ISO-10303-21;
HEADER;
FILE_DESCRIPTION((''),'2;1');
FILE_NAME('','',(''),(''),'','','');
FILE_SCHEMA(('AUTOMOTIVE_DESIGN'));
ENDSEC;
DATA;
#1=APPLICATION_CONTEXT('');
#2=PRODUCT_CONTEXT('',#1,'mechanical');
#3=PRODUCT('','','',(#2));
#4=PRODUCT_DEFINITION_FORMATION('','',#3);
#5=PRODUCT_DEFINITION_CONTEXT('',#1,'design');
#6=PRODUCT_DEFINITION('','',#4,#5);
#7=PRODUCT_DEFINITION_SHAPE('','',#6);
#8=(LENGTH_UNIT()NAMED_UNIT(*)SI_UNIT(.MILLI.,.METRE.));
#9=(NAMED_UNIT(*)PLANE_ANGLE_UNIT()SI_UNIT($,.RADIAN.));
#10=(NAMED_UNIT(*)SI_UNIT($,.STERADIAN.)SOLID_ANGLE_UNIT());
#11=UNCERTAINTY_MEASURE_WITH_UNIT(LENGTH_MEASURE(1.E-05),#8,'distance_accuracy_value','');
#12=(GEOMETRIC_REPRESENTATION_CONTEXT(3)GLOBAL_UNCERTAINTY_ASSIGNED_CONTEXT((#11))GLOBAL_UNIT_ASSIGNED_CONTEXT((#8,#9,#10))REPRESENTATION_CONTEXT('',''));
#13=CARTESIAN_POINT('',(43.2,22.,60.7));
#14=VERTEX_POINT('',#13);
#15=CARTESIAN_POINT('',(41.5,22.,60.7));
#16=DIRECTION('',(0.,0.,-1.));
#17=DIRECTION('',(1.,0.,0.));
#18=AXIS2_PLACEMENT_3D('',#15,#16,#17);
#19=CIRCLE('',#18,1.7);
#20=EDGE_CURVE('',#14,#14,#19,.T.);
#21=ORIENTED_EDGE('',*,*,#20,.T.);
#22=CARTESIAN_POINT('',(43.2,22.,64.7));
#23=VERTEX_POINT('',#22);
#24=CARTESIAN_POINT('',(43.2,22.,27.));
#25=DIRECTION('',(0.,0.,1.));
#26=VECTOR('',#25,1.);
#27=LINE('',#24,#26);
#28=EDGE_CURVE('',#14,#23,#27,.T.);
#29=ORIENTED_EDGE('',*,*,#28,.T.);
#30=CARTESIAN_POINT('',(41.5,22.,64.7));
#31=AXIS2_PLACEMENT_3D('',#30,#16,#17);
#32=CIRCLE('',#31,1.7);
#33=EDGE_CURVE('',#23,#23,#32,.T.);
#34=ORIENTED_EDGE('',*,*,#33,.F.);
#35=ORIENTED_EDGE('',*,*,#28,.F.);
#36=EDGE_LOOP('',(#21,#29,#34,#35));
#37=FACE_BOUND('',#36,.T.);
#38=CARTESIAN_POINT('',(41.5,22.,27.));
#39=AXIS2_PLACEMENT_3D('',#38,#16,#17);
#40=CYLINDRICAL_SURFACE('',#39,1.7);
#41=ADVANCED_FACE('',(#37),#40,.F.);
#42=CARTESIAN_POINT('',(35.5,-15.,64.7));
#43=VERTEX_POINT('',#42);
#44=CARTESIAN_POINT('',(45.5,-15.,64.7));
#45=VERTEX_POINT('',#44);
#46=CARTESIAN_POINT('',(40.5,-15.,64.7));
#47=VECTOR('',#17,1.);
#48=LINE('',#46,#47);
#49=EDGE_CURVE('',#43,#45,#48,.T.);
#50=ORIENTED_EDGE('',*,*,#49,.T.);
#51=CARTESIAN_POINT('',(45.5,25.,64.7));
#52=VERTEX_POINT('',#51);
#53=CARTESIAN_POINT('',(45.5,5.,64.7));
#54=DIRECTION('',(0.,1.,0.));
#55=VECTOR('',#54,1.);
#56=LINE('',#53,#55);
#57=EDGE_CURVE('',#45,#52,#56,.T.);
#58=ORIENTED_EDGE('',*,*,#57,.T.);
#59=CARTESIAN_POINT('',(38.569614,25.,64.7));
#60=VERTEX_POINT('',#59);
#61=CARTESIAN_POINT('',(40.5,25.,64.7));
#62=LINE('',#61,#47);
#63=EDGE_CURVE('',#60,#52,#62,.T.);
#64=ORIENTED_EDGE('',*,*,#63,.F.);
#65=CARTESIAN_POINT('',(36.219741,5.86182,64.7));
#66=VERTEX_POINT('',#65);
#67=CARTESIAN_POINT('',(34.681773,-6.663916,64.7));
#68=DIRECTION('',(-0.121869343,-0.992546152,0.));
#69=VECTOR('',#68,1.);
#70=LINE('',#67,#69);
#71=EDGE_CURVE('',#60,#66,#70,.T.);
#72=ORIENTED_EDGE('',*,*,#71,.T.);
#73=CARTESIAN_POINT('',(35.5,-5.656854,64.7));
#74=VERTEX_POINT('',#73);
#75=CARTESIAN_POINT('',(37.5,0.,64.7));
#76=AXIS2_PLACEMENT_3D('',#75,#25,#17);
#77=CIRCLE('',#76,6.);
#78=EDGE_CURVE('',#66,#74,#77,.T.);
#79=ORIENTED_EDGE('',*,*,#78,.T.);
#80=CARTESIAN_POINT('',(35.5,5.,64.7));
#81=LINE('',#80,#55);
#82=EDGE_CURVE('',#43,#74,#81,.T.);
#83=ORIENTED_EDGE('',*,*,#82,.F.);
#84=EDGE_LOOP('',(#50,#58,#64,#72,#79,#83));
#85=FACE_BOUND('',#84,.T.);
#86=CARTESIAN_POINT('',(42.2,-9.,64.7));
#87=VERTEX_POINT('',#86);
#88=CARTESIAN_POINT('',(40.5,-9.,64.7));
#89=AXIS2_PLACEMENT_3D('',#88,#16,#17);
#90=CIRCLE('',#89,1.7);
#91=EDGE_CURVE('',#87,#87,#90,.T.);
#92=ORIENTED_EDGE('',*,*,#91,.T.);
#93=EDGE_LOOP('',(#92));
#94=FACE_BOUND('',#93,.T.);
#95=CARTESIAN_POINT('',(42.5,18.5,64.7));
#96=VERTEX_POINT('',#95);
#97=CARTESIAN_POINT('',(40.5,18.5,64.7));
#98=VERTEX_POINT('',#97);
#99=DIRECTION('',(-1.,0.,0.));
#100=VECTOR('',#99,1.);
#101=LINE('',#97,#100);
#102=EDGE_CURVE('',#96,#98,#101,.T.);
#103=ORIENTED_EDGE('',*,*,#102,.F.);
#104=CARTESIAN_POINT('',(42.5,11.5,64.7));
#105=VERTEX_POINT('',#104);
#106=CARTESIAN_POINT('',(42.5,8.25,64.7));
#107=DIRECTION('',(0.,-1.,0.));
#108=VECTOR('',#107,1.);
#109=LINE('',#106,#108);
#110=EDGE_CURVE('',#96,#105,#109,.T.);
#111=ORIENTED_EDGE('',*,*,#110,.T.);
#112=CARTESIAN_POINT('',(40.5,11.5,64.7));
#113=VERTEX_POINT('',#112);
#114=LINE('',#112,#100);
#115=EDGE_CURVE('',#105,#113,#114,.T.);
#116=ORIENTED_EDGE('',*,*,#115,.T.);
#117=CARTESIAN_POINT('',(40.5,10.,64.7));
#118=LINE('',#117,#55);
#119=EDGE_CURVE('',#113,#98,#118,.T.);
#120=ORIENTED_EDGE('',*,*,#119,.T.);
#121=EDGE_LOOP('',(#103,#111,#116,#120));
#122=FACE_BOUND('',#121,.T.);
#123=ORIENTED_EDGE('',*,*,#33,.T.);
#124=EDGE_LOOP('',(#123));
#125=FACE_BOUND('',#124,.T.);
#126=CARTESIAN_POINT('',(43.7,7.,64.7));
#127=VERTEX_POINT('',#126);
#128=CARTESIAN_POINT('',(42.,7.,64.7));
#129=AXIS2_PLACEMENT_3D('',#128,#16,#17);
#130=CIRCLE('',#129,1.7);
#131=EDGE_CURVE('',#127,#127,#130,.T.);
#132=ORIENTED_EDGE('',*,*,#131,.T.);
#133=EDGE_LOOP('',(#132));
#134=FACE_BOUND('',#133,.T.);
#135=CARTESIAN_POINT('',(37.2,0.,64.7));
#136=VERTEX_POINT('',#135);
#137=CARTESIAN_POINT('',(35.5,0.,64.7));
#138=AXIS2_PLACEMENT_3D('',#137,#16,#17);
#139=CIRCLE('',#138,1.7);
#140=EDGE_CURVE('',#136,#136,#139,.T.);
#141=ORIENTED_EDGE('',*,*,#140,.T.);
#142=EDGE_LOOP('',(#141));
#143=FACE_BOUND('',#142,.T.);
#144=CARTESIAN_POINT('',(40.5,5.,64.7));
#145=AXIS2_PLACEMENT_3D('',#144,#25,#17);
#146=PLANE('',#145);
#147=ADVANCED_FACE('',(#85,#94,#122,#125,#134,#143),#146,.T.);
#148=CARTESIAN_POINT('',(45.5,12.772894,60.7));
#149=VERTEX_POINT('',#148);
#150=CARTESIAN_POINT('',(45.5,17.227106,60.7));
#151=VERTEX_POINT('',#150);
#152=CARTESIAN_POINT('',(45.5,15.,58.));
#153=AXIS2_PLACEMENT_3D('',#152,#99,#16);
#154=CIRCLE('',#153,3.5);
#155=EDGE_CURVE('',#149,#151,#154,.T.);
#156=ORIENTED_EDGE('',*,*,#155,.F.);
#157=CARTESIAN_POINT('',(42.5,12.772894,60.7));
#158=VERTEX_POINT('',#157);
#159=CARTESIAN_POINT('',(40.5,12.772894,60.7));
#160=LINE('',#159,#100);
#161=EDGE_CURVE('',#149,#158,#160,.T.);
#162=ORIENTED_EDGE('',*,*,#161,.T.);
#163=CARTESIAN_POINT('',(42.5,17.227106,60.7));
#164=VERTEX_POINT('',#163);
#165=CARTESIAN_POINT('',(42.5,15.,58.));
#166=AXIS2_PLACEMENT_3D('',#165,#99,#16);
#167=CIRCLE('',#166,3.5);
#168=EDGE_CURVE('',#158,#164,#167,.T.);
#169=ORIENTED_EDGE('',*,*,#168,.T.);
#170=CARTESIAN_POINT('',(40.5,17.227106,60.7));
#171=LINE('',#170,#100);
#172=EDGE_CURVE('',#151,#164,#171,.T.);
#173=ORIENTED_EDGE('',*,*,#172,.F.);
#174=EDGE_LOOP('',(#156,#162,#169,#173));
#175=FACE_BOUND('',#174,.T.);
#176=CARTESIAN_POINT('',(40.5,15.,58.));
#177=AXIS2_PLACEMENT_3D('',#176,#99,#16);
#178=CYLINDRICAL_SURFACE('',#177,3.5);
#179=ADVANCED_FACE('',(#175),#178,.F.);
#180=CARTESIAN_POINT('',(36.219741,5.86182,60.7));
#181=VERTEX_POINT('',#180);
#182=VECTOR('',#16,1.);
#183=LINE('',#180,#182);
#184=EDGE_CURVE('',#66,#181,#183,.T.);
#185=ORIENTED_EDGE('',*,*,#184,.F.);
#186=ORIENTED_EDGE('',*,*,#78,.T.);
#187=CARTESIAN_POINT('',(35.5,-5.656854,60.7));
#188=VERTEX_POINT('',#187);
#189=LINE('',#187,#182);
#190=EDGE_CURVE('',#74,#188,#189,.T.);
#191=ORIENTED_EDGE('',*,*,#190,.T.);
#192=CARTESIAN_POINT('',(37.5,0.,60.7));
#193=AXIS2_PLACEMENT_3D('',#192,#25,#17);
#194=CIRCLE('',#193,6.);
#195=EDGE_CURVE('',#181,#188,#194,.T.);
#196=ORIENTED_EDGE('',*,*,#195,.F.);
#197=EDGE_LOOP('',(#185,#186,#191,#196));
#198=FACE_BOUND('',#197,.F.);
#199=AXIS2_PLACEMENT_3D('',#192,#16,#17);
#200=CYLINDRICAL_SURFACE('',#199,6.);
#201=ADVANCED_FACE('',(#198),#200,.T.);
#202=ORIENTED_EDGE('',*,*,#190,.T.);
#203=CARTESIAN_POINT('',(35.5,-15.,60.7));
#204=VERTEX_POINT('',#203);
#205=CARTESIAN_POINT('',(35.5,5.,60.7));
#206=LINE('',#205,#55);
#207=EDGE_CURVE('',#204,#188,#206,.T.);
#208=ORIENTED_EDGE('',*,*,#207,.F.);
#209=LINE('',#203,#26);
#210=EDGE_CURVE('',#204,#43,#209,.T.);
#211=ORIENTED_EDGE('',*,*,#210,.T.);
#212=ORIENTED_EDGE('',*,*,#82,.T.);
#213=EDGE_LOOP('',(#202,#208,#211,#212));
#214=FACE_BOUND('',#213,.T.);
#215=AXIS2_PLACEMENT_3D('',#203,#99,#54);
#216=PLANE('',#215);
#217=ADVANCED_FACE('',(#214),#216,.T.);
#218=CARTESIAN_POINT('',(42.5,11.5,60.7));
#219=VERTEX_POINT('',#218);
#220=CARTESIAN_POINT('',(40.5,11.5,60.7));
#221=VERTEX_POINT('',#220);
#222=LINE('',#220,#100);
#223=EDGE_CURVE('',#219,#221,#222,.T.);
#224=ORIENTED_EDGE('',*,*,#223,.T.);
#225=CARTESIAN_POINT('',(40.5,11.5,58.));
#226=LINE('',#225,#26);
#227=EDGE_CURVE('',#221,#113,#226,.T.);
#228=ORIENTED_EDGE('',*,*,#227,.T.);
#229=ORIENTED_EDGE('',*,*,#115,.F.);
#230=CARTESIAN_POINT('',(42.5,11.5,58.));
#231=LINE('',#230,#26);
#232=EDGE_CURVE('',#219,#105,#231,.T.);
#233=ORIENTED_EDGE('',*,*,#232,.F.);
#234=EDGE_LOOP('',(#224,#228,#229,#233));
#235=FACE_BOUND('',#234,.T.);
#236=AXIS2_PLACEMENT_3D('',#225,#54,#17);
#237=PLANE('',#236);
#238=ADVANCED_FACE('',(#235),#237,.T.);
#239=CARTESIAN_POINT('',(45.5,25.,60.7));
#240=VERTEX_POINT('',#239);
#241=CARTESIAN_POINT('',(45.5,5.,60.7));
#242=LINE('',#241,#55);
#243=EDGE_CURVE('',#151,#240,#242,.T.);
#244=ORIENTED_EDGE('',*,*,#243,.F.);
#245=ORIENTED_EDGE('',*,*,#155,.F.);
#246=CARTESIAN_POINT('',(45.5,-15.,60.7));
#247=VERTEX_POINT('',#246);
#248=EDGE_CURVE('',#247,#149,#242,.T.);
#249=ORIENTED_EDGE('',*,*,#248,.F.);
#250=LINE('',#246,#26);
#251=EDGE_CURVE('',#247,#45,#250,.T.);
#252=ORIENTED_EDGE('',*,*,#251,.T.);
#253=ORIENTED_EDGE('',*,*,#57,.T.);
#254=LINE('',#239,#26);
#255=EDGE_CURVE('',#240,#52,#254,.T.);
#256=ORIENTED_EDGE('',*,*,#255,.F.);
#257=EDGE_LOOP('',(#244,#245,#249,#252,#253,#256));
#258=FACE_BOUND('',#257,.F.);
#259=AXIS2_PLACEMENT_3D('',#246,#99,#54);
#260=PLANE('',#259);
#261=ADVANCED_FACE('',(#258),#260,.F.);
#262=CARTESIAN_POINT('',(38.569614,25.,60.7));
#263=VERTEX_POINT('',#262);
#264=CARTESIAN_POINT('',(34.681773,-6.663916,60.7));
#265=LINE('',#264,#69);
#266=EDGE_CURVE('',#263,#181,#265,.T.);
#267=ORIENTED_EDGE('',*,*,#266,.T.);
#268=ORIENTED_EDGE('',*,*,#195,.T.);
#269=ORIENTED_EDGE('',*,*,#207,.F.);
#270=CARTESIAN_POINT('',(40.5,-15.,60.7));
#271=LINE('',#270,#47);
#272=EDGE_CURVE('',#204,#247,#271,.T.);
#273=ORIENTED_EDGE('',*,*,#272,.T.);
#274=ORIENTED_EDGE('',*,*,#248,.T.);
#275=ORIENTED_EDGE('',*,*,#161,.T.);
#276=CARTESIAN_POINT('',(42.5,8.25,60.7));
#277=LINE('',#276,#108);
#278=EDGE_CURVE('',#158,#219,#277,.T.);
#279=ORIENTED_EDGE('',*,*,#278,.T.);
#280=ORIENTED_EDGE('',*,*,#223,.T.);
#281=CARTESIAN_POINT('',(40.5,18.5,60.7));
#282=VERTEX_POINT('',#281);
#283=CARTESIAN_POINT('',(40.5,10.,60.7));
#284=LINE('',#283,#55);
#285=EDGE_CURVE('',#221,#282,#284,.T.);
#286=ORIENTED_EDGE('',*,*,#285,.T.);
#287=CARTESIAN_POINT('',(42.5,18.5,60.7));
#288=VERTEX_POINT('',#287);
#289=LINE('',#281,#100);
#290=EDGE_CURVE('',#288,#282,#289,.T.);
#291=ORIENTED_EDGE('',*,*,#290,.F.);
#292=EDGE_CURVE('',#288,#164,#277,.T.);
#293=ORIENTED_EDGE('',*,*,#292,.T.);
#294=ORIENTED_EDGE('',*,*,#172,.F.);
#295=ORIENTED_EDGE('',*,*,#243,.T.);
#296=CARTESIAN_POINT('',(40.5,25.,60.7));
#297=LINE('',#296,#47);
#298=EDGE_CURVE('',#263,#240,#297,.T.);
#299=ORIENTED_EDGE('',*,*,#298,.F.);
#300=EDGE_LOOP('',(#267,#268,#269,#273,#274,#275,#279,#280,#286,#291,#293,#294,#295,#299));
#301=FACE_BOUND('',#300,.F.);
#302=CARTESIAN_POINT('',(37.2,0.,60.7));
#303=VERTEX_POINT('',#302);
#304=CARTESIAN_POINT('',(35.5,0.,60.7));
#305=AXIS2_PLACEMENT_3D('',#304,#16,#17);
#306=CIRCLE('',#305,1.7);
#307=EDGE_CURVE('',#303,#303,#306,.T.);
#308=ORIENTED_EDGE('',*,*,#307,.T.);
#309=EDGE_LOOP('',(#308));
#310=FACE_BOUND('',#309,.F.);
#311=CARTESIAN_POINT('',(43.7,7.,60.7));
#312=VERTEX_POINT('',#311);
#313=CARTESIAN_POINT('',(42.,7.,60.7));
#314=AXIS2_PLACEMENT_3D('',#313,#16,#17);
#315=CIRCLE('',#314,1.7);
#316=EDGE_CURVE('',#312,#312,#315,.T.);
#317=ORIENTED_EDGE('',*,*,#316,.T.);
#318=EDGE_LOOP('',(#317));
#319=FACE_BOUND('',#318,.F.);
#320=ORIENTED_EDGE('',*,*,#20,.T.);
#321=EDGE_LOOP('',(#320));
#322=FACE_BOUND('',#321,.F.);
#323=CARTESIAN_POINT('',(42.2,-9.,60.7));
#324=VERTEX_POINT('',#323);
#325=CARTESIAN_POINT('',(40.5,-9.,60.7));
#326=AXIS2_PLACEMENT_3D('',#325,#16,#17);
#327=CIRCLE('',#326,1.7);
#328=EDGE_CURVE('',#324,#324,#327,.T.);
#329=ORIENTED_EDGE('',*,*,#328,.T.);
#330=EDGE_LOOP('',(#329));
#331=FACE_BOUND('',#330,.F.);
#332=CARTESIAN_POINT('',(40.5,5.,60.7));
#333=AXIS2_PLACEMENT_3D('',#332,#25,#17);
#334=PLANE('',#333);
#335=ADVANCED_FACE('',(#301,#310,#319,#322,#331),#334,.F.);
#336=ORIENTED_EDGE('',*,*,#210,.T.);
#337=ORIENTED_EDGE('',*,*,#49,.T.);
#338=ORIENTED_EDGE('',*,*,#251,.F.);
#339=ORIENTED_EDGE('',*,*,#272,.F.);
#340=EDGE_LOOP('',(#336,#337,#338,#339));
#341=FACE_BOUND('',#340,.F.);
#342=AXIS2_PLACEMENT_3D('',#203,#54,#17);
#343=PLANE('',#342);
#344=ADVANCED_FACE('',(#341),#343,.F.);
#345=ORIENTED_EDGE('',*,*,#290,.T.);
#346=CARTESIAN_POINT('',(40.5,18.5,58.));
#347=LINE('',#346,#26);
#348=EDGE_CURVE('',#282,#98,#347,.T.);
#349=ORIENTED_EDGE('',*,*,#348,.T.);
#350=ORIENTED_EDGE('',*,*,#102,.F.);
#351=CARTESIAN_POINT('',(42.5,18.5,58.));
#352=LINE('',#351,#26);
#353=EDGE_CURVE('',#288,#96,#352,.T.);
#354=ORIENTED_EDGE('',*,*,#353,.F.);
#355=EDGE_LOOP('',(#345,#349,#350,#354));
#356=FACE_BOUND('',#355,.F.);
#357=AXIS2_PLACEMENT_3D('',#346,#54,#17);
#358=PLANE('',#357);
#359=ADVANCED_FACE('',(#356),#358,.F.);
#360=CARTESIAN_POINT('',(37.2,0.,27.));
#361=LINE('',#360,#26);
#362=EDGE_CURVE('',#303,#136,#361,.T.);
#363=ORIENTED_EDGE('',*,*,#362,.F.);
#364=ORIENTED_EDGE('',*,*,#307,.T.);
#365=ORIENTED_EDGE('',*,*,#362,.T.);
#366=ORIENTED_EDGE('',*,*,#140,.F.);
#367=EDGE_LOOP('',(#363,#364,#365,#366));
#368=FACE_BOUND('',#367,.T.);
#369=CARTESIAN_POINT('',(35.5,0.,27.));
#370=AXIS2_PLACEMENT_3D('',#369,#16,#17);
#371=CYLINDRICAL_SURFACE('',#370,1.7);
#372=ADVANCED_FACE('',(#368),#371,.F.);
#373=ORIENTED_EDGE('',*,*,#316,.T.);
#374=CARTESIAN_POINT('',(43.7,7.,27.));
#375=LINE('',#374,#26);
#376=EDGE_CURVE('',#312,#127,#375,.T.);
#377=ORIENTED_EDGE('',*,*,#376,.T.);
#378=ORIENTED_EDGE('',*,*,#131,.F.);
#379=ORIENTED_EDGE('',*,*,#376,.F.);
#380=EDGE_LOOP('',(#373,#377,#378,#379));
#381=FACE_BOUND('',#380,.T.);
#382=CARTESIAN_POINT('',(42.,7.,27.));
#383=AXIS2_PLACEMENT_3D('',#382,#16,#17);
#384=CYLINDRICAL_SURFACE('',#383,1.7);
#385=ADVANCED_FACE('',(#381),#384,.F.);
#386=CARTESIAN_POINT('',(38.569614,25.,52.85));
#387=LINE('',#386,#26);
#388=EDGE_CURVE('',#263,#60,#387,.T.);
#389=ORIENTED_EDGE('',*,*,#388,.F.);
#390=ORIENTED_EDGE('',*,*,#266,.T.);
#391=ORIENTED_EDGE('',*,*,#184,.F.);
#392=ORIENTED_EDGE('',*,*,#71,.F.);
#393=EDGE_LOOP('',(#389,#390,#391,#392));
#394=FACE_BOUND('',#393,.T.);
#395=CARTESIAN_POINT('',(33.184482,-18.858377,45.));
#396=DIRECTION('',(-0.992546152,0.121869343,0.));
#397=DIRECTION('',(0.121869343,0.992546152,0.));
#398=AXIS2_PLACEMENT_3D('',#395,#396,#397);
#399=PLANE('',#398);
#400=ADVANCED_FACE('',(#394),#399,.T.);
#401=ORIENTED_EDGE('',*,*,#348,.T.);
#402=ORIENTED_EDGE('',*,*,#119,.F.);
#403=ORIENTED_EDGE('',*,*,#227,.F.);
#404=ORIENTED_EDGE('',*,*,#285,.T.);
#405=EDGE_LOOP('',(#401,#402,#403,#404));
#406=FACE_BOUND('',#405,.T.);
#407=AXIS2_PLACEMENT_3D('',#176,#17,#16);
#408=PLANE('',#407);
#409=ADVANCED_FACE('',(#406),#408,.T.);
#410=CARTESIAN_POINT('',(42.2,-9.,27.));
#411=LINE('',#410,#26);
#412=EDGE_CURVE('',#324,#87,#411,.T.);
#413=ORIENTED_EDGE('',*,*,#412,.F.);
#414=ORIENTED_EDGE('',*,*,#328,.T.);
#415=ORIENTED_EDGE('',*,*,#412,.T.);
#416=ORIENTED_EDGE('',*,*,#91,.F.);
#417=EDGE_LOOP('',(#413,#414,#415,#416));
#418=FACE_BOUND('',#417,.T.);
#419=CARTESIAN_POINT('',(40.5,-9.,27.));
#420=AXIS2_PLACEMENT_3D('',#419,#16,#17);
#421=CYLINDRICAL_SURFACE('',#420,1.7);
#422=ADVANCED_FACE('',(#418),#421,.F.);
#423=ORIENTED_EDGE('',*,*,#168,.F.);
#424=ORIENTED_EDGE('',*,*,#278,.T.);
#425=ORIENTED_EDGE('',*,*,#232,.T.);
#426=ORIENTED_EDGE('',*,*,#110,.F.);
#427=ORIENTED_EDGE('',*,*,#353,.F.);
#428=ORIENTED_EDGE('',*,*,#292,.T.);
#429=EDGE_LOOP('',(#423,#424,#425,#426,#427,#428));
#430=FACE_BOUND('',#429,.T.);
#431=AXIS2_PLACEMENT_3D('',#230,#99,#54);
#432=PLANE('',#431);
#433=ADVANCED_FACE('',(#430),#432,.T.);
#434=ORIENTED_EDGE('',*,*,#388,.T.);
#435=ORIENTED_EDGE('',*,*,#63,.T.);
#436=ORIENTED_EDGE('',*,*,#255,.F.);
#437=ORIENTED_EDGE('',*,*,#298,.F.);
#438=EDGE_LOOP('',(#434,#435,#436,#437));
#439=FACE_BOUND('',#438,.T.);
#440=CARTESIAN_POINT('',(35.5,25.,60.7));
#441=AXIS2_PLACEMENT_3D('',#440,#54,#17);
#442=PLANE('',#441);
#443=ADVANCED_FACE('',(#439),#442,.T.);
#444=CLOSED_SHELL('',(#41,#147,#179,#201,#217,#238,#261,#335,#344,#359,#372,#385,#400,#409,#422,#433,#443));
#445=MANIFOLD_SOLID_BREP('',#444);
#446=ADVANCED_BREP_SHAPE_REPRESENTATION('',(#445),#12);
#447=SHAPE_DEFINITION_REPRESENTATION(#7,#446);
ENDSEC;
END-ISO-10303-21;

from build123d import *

# Parameters (mm, degrees)
CYLINDER082_R           = 1.7
CYLINDER082_DEPTH       = 50
CYLINDER081_R           = 1.7
CYLINDER081_DEPTH       = 50
CYLINDER080_R           = 1.7
CYLINDER080_DEPTH       = 50
CYLINDER079_R           = 1.7
CYLINDER079_DEPTH       = 50
CYLINDER044_R           = 3.5
CYLINDER044_DEPTH       = 8
CYLINDER044_PITCH_ANGLE = 90
BOX027_W                = 2
BOX027_H                = 7
BOX027_DEPTH            = 10
BOX019_W                = 66
BOX019_H                = 50
BOX019_DEPTH            = 25
BOX019_PLACEMENT_ANGLE  = -7
BOX010_W                = 10
BOX010_H                = 40
BOX010_DEPTH            = 4
CYLINDER024_R           = 6
CYLINDER024_DEPTH       = 4


with BuildPart() as m3_studding019:
    # Cylinder082 → Cylinder082 (new body)
    with BuildSketch(Plane(origin=(41, -9, 27), x_dir=(1, 0, 0), z_dir=(0, 0, 1))):
        Circle(CYLINDER082_R)
    extrude(amount=CYLINDER082_DEPTH)


with BuildPart() as m3_studding018:
    # Cylinder081 → Cylinder081 (new body)
    with BuildSketch(Plane(origin=(42, 22, 27), x_dir=(1, 0, 0), z_dir=(0, 0, 1))):
        Circle(CYLINDER081_R)
    extrude(amount=CYLINDER081_DEPTH)


with BuildPart() as m3_studding017:
    # Cylinder080 → Cylinder080 (new body)
    with BuildSketch(Plane(origin=(42.5, 7, 27), x_dir=(1, 0, 0), z_dir=(0, 0, 1))):
        Circle(CYLINDER080_R)
    extrude(amount=CYLINDER080_DEPTH)


with BuildPart() as m3_clearance003:
    # Cylinder079 → Cylinder079 (new body)
    with BuildSketch(Plane(origin=(36, 0, 27), x_dir=(1, 0, 0), z_dir=(0, 0, 1))):
        Circle(CYLINDER079_R)
    extrude(amount=CYLINDER079_DEPTH)

    # Fusion048: union m3-studding019, m3-studding018, m3-studding017
    add(m3_studding019.part)
    add(m3_studding018.part)
    add(m3_studding017.part)


with BuildPart() as cylinder044:
    # Cylinder044 → Cylinder044 (new body)
    with BuildSketch(Plane.XY):
        Circle(CYLINDER044_R)
    extrude(amount=CYLINDER044_DEPTH)


with BuildPart() as cylinder044_1:
    # Cylinder044 pitch: moved
    add(cylinder044.part.rotate(Axis((0, 0, 0), (0, 1, 0)), CYLINDER044_PITCH_ANGLE))


with BuildPart() as cylinder044_2:
    # Cylinder044 placement: moved
    add(cylinder044_1.part.moved(Location((41, 15, 58))))


with BuildPart() as sprint_adj_hole:
    # Box027 → Box027 (new body)
    with BuildSketch(Plane(origin=(41, 11.5, 58), x_dir=(1, 0, 0), z_dir=(0, 0, 1))):
        with Locations((1, 3.5)):
            Rectangle(BOX027_W, BOX027_H)
    extrude(amount=BOX027_DEPTH)

    # Fusion026: union Cylinder044
    add(cylinder044_2.part)


with BuildPart() as cube019:
    # Box019 → Box019 (new body)
    with BuildSketch(Plane.XY):
        with Locations((33, 25)):
            Rectangle(BOX019_W, BOX019_H)
    extrude(amount=BOX019_DEPTH)


with BuildPart() as cube019_1:
    # Box019 placement: moved
    add(cube019.part.moved(Location((-31.823564, -10.815, 45))).rotate(Axis((-31.823564, -10.815, 45), (0, 0, 1)), BOX019_PLACEMENT_ANGLE))


with BuildPart() as cut008:
    # Box010 → Box010 (new body)
    with BuildSketch(Plane(origin=(36, -15, 60.7), x_dir=(1, 0, 0), z_dir=(0, 0, 1))):
        with Locations((5, 20)):
            Rectangle(BOX010_W, BOX010_H)
    extrude(amount=BOX010_DEPTH)

    # Cut008: cut Cube019
    add(cube019_1.part, mode=Mode.SUBTRACT)


with BuildPart() as clamp_plate:
    # Cylinder024 → Cylinder024 (new body)
    with BuildSketch(Plane(origin=(38, 0, 60.7), x_dir=(1, 0, 0), z_dir=(0, 0, 1))):
        Circle(CYLINDER024_R)
    extrude(amount=CYLINDER024_DEPTH)

    # Fusion013: union Cut008
    add(cut008.part)

    # Cut016: cut sprint-adj-hole
    add(sprint_adj_hole.part, mode=Mode.SUBTRACT)

    # Cut038: cut M3-clearance003
    add(m3_clearance003.part, mode=Mode.SUBTRACT)


with BuildPart() as clamp_plate_1:
    # Cut038 placement: moved
    add(clamp_plate.part.moved(Location((-0.5, 0, 0))))


solid = clamp_plate_1.part
